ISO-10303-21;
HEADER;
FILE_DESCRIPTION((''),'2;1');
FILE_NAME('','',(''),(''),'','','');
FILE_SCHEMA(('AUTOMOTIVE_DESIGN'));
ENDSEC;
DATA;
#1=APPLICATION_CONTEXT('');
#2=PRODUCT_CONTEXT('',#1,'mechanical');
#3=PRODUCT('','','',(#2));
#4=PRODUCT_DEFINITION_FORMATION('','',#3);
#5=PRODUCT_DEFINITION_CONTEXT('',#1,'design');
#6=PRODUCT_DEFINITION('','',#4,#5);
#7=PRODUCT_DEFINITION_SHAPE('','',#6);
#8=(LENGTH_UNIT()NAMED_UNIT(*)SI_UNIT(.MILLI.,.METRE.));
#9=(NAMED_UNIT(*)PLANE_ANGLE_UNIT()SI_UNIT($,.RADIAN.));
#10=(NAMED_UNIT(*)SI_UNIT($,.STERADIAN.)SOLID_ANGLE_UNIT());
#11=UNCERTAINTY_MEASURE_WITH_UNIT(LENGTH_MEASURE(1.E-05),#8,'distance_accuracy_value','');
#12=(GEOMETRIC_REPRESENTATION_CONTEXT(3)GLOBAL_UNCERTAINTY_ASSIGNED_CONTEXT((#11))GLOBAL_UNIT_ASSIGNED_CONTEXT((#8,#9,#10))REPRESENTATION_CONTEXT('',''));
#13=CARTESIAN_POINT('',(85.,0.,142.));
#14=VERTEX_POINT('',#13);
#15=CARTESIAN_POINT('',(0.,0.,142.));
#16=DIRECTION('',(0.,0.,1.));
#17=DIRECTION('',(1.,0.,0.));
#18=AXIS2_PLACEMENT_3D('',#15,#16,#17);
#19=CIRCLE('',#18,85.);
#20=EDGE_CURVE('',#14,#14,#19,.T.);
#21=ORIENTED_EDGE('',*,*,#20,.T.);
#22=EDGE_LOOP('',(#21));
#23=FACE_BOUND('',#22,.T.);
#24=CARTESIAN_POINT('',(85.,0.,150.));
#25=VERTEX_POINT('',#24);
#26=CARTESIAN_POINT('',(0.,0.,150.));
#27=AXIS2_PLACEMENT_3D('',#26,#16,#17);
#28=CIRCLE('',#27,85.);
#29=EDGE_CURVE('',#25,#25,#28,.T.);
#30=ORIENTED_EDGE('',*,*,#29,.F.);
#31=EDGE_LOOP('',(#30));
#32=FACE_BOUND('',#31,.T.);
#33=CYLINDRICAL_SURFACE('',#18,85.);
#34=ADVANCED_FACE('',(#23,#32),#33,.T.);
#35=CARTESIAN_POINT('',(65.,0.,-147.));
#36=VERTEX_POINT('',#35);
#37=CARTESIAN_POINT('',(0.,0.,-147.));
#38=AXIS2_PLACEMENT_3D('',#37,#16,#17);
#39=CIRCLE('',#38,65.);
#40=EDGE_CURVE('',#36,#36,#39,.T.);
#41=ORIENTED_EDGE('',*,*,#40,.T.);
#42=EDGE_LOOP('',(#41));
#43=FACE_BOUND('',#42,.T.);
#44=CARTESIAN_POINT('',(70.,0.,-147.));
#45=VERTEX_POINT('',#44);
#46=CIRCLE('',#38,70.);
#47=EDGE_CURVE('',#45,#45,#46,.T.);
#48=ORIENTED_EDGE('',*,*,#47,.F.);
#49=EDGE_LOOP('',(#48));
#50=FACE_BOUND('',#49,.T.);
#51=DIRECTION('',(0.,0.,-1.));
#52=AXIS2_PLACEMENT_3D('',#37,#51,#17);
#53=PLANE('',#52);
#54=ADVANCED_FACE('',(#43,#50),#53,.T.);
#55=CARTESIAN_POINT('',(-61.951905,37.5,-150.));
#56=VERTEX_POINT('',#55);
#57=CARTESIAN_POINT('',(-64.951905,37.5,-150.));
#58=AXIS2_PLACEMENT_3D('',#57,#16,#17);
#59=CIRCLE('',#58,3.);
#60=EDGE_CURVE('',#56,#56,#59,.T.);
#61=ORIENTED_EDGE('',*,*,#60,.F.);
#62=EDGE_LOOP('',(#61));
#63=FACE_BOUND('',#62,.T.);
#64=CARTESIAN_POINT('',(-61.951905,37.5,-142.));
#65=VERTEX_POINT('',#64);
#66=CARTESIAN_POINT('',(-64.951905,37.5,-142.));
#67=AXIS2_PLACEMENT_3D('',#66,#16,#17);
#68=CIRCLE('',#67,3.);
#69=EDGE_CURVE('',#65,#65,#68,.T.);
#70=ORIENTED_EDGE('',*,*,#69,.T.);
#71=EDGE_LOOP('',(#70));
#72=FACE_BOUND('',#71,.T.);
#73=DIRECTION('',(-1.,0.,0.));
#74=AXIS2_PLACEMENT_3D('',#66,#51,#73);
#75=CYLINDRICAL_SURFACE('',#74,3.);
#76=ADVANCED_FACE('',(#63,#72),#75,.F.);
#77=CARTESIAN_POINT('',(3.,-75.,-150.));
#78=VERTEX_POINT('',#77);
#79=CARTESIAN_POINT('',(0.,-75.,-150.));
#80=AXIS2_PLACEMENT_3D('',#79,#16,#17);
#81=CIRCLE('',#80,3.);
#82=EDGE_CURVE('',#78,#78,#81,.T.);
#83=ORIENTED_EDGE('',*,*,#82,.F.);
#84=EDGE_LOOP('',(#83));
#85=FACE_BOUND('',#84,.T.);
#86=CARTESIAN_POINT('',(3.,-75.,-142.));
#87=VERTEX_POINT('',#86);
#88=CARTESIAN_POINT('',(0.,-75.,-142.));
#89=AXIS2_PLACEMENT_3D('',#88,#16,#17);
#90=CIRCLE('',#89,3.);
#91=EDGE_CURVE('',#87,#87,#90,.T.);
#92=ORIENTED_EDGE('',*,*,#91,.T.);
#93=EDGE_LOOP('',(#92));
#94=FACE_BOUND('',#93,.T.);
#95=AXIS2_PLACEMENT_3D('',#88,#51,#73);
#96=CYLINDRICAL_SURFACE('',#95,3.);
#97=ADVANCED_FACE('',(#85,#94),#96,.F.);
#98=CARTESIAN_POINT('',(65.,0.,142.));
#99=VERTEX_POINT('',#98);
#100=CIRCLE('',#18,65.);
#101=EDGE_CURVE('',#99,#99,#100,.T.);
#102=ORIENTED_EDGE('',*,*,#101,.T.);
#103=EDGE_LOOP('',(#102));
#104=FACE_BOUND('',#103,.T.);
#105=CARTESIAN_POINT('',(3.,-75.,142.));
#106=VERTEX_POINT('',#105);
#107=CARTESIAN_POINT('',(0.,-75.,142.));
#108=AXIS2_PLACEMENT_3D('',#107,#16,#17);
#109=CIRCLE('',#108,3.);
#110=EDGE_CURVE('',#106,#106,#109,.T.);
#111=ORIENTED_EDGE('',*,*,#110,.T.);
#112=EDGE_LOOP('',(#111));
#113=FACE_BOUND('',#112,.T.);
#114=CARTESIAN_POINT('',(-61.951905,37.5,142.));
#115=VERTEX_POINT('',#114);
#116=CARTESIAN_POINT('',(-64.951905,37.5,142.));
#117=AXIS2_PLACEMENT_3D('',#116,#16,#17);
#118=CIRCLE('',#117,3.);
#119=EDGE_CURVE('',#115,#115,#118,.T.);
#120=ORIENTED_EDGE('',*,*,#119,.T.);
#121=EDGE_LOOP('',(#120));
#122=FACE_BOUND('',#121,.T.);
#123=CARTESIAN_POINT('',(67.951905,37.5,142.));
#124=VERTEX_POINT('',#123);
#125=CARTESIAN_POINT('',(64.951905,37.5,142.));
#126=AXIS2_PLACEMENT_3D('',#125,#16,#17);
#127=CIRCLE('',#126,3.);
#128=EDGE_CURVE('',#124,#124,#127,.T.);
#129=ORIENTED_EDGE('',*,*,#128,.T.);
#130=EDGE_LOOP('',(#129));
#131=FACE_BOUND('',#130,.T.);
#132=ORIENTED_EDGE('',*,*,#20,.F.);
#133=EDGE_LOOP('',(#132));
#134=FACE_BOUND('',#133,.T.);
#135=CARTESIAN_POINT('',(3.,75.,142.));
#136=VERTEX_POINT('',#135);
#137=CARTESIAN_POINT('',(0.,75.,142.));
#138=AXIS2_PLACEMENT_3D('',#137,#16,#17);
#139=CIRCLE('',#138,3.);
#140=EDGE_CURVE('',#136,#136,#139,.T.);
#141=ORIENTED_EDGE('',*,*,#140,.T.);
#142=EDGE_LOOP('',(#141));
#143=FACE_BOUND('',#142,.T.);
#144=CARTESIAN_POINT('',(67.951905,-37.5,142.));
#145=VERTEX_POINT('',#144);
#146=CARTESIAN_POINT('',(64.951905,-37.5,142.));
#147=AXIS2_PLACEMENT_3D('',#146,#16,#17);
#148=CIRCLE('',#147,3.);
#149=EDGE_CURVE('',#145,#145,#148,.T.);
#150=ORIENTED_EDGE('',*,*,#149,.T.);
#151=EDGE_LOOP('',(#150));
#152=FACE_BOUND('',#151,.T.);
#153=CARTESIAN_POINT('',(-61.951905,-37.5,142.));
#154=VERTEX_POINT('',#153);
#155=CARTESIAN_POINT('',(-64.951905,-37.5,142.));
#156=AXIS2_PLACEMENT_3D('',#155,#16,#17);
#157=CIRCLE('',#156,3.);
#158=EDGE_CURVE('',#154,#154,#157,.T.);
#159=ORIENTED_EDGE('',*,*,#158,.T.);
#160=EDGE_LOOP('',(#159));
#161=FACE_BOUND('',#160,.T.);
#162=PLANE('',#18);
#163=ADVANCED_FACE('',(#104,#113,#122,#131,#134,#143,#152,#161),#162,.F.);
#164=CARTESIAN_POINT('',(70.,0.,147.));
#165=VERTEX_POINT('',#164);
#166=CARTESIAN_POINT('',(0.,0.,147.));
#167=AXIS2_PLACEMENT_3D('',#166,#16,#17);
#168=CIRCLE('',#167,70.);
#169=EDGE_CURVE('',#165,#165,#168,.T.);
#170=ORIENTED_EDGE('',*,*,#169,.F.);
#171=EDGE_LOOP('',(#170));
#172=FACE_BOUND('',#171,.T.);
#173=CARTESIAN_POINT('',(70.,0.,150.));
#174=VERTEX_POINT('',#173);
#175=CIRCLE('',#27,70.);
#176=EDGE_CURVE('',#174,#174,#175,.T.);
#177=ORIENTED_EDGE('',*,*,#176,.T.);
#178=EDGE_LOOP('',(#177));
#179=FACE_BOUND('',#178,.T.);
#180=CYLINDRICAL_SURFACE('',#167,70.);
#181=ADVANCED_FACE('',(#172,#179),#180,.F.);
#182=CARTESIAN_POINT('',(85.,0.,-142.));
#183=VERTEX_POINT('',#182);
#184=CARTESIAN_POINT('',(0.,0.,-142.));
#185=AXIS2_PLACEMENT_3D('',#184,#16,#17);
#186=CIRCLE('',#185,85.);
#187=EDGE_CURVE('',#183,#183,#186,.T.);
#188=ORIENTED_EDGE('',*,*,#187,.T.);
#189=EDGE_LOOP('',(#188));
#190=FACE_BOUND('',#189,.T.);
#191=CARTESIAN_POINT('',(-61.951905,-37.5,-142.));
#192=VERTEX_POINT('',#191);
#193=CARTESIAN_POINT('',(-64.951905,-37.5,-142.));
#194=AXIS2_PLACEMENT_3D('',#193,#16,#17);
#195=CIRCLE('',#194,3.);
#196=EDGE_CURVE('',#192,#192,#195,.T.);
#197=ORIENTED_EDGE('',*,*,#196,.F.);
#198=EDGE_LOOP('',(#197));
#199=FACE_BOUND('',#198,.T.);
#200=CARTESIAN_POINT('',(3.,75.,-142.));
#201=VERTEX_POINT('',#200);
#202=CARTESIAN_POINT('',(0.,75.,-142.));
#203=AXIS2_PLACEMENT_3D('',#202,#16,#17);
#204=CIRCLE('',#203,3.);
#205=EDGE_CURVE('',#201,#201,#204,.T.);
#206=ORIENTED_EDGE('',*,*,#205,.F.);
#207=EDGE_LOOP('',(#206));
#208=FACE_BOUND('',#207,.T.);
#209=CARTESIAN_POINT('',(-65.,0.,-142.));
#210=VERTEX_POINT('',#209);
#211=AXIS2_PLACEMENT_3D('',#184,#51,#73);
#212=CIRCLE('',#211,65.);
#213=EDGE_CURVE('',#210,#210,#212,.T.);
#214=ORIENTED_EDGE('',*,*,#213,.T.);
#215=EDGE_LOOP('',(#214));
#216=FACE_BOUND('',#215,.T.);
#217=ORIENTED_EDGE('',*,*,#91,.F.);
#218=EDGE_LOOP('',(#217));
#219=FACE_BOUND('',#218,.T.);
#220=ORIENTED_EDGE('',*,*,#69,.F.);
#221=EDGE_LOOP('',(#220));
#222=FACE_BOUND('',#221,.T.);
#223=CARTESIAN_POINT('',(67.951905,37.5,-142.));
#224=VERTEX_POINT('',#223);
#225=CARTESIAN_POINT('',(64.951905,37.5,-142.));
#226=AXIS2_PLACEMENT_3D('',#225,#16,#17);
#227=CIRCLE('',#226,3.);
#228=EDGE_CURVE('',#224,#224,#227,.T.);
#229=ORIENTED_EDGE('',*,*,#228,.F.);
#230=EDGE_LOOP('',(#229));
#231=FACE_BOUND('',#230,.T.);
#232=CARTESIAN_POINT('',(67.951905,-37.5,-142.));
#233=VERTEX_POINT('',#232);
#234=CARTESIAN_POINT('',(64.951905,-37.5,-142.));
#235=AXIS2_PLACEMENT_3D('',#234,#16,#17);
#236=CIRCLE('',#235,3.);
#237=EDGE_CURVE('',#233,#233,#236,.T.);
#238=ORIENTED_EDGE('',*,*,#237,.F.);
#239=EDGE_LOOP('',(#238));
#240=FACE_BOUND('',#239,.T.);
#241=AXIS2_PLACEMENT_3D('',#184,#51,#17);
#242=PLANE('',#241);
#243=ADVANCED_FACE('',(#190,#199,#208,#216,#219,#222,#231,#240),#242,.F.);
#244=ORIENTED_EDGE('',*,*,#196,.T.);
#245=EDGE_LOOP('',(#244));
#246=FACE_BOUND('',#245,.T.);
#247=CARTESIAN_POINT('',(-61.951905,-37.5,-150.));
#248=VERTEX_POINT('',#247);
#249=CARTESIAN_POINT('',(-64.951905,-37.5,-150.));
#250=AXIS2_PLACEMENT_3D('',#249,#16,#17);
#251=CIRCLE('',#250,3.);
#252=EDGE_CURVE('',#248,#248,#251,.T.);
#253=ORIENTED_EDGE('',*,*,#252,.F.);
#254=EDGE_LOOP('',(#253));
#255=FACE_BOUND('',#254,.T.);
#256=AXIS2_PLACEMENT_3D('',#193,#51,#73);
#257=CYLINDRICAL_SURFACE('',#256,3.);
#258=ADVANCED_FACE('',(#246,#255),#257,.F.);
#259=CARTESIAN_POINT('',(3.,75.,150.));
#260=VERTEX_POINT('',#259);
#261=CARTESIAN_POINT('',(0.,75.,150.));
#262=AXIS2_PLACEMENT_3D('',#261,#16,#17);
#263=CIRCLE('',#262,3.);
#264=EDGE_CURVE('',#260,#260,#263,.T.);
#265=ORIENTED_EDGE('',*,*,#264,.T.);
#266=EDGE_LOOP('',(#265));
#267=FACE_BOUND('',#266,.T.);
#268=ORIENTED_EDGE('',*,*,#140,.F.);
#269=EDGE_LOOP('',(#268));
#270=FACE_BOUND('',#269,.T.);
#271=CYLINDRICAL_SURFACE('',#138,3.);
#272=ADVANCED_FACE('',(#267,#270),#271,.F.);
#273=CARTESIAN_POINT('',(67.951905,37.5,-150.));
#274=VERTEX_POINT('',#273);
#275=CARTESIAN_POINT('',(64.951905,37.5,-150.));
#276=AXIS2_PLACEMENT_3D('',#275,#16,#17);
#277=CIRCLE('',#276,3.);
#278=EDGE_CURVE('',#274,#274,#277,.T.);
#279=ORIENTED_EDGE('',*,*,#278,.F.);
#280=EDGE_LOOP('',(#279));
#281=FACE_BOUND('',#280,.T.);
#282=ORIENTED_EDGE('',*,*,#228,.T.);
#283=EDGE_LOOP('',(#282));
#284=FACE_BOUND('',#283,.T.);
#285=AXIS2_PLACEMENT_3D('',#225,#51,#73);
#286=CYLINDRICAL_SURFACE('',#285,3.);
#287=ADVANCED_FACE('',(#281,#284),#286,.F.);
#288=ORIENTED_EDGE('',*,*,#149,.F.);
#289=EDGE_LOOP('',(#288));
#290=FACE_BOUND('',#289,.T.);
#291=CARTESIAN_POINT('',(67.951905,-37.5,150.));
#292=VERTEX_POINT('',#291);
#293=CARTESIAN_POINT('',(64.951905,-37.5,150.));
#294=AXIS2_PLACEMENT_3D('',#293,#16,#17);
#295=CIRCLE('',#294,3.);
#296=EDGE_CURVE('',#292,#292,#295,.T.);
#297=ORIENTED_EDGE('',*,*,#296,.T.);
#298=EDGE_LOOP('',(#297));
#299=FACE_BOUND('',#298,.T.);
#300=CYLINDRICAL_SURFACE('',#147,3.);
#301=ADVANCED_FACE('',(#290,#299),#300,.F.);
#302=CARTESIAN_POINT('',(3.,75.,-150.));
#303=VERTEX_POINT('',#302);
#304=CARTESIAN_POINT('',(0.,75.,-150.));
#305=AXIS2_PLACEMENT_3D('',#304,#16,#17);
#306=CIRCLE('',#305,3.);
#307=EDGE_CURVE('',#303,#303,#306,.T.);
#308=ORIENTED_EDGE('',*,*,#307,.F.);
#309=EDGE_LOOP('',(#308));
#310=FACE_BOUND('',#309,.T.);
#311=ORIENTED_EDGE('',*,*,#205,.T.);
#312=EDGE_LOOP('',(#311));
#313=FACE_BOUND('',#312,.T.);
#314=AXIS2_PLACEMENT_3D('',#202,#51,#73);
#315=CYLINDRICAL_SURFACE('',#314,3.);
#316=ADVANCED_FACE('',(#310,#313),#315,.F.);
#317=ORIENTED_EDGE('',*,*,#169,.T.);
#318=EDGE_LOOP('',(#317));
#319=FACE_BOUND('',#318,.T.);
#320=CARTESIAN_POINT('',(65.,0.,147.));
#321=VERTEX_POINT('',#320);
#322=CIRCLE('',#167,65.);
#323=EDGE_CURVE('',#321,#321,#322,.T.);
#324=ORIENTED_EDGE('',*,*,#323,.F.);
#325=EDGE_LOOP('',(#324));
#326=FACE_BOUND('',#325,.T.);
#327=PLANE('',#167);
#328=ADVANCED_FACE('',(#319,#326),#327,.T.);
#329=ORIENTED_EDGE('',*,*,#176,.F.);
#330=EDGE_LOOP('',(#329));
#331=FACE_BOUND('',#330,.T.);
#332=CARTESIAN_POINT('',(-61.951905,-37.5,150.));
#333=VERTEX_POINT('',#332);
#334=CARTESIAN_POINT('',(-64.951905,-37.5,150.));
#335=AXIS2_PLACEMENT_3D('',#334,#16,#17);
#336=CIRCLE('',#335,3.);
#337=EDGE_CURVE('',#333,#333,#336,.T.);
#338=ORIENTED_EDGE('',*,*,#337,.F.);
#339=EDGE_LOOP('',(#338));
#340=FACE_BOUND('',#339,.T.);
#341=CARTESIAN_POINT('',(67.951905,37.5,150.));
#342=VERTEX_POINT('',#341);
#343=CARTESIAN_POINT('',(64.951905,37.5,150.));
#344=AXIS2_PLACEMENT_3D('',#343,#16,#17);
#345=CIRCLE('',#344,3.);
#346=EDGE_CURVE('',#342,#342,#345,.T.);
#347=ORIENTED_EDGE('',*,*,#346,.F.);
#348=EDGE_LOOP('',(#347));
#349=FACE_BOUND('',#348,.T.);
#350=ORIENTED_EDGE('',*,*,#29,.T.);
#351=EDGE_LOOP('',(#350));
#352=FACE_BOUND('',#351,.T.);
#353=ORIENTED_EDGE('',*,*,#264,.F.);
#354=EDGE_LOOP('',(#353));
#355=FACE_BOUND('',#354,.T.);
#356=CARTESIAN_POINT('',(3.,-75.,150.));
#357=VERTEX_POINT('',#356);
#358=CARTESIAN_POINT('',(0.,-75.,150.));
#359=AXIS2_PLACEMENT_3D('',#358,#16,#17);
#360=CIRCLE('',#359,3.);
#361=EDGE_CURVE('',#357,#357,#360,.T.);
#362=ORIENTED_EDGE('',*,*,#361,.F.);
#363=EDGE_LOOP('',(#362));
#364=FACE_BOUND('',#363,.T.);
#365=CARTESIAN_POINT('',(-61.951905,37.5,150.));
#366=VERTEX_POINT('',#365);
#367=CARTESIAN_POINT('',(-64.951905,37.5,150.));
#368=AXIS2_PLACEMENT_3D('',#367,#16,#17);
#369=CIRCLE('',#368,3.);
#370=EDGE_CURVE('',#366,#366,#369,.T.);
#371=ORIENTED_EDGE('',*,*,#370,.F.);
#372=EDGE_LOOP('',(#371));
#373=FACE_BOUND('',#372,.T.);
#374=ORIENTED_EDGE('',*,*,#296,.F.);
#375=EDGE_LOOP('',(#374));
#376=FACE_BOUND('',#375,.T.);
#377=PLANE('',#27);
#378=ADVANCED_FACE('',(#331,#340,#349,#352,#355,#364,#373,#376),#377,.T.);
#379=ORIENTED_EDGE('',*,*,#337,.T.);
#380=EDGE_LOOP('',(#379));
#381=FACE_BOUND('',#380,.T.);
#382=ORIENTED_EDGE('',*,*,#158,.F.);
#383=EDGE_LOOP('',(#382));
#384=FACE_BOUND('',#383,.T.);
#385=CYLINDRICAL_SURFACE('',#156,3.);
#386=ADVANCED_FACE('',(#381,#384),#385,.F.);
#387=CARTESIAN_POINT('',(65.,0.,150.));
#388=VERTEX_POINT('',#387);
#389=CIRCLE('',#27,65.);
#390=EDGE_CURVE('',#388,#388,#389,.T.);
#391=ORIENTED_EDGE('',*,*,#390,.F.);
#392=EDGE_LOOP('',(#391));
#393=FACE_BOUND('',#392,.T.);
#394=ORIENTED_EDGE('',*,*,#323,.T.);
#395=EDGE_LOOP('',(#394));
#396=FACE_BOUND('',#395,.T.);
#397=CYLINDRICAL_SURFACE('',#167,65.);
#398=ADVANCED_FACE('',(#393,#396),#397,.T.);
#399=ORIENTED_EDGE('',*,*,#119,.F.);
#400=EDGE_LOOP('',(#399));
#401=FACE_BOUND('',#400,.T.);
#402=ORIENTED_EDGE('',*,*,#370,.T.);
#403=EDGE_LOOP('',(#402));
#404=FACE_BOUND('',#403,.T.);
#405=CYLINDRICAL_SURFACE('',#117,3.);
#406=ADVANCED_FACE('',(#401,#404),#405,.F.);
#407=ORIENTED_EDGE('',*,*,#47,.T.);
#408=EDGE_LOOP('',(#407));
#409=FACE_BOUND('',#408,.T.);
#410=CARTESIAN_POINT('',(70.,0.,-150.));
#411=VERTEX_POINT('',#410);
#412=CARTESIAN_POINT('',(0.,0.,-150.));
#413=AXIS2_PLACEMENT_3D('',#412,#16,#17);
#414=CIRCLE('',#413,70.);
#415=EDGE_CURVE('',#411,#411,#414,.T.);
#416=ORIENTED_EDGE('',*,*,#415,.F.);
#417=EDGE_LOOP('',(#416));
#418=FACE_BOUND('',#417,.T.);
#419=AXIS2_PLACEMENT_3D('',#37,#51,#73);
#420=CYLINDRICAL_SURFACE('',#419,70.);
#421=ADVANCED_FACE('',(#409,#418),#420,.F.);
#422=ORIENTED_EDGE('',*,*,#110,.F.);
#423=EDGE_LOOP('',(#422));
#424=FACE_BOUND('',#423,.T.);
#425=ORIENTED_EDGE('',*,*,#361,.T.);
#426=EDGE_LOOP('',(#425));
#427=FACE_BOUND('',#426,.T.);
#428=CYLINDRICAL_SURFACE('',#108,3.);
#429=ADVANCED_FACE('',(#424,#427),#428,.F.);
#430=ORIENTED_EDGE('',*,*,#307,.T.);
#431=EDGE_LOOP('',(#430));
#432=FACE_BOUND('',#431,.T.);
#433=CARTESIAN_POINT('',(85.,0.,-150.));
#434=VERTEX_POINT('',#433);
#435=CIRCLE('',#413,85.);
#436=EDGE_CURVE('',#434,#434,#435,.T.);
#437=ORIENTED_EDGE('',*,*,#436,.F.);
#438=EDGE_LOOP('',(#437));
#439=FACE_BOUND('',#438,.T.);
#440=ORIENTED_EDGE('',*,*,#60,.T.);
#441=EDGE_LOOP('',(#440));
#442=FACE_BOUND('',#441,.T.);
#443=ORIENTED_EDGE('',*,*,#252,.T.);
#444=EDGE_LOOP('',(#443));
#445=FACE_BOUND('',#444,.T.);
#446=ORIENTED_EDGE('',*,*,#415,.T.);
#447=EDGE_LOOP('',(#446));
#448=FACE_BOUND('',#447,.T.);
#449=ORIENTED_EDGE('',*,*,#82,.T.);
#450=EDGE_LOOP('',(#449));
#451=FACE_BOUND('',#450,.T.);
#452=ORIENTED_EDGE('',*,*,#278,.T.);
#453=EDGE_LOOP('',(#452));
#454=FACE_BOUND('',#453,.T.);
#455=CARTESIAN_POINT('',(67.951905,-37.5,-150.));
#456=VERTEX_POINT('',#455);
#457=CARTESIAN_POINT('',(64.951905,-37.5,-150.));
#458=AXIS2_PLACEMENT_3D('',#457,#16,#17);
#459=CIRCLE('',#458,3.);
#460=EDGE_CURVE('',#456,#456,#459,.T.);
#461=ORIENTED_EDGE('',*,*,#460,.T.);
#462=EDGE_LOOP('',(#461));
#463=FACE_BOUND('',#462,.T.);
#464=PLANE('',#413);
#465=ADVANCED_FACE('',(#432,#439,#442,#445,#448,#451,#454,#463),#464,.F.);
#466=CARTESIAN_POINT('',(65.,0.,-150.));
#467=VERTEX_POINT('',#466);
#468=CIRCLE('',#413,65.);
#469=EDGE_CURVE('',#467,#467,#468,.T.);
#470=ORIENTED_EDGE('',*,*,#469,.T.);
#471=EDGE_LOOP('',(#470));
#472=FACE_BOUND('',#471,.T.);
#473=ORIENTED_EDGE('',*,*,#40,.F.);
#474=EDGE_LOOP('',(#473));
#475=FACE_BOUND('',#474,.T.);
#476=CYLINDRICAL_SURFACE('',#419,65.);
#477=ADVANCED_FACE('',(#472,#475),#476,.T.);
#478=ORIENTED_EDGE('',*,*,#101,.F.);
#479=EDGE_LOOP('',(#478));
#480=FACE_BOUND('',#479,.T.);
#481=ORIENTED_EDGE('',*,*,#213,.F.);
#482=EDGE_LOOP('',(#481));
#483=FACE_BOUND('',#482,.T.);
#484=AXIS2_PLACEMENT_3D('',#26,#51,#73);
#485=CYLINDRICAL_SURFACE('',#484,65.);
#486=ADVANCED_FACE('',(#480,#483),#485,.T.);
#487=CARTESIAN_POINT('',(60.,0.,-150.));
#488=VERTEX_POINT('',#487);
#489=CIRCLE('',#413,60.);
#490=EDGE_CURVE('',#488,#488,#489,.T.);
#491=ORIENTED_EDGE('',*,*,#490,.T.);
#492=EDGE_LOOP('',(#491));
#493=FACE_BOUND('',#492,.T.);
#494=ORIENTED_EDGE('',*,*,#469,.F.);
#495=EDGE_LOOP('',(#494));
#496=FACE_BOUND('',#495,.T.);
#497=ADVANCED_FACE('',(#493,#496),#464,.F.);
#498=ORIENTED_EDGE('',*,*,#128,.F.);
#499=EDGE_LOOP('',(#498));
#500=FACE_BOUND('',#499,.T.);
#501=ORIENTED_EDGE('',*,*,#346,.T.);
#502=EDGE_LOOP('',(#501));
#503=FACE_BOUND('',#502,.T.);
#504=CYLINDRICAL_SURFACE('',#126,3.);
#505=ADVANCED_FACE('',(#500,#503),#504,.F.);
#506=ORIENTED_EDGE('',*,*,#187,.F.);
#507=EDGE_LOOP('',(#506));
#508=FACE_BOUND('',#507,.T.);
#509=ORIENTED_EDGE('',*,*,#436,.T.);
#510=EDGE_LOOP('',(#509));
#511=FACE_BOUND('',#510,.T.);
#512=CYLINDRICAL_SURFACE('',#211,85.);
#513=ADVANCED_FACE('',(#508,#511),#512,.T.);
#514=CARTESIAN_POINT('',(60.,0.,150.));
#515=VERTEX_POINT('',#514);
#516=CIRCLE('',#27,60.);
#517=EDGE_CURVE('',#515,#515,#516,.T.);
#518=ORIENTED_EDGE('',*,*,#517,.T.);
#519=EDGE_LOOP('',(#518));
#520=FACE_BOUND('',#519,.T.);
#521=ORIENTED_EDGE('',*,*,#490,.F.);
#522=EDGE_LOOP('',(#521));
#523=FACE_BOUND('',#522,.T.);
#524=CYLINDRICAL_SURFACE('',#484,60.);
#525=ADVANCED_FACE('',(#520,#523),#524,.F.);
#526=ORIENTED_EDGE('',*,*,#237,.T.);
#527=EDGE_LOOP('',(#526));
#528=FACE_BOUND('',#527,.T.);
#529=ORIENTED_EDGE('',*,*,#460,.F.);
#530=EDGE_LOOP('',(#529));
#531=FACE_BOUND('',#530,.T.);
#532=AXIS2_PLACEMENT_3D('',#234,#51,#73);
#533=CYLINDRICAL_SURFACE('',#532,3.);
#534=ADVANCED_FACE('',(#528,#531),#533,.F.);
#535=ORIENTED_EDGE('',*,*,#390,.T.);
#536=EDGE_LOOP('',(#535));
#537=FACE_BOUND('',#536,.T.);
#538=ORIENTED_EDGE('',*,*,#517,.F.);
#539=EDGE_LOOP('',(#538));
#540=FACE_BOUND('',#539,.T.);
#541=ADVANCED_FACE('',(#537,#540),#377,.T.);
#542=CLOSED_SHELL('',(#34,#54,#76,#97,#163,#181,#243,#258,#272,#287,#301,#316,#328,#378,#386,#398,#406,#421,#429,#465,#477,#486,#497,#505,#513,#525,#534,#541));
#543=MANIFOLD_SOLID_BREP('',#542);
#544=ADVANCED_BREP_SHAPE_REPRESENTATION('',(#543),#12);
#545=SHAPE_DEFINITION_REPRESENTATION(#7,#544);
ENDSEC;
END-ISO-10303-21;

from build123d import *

# Parameters (mm, degrees)
SKETCH_1_R          = 65
SKETCH_1_R_2        = 60
EXTRUDE_1_DEPTH     = 150
SKETCH_2_R          = 85
SKETCH_2_R_2        = 3
SKETCH_2_R_3        = 65
EXTRUDE_2_DEPTH     = 8
SKETCH_3_R          = 70
SKETCH_3_R_2        = 65
CUT_EXTRUDE_1_DEPTH = 3


with BuildPart() as part:
    # 草图1 → 凸台-拉伸1 (new, symmetric)
    with BuildSketch(Plane.XY):
        Circle(SKETCH_1_R)
        Circle(SKETCH_1_R_2, mode=Mode.SUBTRACT)
    extrude(amount=EXTRUDE_1_DEPTH, both=True)

    # 草图2 → 凸台-拉伸2 (add)
    with BuildSketch(Plane.XY.offset(150)):
        Circle(SKETCH_2_R)
        with Locations((0, 75)):
            Circle(SKETCH_2_R_2, mode=Mode.SUBTRACT)
        with Locations((64.951905284, 37.5)):
            Circle(SKETCH_2_R_2, mode=Mode.SUBTRACT)
        with Locations((64.951905284, -37.5)):
            Circle(SKETCH_2_R_2, mode=Mode.SUBTRACT)
        with Locations((0, -75)):
            Circle(SKETCH_2_R_2, mode=Mode.SUBTRACT)
        with Locations((-64.951905284, -37.5)):
            Circle(SKETCH_2_R_2, mode=Mode.SUBTRACT)
        with Locations((-64.951905284, 37.5)):
            Circle(SKETCH_2_R_2, mode=Mode.SUBTRACT)
        Circle(SKETCH_2_R_3, mode=Mode.SUBTRACT)
    extrude_2 = extrude(amount=-EXTRUDE_2_DEPTH)

    # 草图3 → 切除-拉伸1 (cut)
    with BuildSketch(Plane.XY.offset(150)):
        Circle(SKETCH_3_R)
        Circle(SKETCH_3_R_2, mode=Mode.SUBTRACT)
    cut_extrude_1 = extrude(amount=-CUT_EXTRUDE_1_DEPTH, mode=Mode.SUBTRACT)

    # 镜向1: 凸台-拉伸2, 切除-拉伸1 across plane
    add(extrude_2.mirror(Plane.XY))
    add(cut_extrude_1.mirror(Plane.XY), mode=Mode.SUBTRACT)


solid = part.part
